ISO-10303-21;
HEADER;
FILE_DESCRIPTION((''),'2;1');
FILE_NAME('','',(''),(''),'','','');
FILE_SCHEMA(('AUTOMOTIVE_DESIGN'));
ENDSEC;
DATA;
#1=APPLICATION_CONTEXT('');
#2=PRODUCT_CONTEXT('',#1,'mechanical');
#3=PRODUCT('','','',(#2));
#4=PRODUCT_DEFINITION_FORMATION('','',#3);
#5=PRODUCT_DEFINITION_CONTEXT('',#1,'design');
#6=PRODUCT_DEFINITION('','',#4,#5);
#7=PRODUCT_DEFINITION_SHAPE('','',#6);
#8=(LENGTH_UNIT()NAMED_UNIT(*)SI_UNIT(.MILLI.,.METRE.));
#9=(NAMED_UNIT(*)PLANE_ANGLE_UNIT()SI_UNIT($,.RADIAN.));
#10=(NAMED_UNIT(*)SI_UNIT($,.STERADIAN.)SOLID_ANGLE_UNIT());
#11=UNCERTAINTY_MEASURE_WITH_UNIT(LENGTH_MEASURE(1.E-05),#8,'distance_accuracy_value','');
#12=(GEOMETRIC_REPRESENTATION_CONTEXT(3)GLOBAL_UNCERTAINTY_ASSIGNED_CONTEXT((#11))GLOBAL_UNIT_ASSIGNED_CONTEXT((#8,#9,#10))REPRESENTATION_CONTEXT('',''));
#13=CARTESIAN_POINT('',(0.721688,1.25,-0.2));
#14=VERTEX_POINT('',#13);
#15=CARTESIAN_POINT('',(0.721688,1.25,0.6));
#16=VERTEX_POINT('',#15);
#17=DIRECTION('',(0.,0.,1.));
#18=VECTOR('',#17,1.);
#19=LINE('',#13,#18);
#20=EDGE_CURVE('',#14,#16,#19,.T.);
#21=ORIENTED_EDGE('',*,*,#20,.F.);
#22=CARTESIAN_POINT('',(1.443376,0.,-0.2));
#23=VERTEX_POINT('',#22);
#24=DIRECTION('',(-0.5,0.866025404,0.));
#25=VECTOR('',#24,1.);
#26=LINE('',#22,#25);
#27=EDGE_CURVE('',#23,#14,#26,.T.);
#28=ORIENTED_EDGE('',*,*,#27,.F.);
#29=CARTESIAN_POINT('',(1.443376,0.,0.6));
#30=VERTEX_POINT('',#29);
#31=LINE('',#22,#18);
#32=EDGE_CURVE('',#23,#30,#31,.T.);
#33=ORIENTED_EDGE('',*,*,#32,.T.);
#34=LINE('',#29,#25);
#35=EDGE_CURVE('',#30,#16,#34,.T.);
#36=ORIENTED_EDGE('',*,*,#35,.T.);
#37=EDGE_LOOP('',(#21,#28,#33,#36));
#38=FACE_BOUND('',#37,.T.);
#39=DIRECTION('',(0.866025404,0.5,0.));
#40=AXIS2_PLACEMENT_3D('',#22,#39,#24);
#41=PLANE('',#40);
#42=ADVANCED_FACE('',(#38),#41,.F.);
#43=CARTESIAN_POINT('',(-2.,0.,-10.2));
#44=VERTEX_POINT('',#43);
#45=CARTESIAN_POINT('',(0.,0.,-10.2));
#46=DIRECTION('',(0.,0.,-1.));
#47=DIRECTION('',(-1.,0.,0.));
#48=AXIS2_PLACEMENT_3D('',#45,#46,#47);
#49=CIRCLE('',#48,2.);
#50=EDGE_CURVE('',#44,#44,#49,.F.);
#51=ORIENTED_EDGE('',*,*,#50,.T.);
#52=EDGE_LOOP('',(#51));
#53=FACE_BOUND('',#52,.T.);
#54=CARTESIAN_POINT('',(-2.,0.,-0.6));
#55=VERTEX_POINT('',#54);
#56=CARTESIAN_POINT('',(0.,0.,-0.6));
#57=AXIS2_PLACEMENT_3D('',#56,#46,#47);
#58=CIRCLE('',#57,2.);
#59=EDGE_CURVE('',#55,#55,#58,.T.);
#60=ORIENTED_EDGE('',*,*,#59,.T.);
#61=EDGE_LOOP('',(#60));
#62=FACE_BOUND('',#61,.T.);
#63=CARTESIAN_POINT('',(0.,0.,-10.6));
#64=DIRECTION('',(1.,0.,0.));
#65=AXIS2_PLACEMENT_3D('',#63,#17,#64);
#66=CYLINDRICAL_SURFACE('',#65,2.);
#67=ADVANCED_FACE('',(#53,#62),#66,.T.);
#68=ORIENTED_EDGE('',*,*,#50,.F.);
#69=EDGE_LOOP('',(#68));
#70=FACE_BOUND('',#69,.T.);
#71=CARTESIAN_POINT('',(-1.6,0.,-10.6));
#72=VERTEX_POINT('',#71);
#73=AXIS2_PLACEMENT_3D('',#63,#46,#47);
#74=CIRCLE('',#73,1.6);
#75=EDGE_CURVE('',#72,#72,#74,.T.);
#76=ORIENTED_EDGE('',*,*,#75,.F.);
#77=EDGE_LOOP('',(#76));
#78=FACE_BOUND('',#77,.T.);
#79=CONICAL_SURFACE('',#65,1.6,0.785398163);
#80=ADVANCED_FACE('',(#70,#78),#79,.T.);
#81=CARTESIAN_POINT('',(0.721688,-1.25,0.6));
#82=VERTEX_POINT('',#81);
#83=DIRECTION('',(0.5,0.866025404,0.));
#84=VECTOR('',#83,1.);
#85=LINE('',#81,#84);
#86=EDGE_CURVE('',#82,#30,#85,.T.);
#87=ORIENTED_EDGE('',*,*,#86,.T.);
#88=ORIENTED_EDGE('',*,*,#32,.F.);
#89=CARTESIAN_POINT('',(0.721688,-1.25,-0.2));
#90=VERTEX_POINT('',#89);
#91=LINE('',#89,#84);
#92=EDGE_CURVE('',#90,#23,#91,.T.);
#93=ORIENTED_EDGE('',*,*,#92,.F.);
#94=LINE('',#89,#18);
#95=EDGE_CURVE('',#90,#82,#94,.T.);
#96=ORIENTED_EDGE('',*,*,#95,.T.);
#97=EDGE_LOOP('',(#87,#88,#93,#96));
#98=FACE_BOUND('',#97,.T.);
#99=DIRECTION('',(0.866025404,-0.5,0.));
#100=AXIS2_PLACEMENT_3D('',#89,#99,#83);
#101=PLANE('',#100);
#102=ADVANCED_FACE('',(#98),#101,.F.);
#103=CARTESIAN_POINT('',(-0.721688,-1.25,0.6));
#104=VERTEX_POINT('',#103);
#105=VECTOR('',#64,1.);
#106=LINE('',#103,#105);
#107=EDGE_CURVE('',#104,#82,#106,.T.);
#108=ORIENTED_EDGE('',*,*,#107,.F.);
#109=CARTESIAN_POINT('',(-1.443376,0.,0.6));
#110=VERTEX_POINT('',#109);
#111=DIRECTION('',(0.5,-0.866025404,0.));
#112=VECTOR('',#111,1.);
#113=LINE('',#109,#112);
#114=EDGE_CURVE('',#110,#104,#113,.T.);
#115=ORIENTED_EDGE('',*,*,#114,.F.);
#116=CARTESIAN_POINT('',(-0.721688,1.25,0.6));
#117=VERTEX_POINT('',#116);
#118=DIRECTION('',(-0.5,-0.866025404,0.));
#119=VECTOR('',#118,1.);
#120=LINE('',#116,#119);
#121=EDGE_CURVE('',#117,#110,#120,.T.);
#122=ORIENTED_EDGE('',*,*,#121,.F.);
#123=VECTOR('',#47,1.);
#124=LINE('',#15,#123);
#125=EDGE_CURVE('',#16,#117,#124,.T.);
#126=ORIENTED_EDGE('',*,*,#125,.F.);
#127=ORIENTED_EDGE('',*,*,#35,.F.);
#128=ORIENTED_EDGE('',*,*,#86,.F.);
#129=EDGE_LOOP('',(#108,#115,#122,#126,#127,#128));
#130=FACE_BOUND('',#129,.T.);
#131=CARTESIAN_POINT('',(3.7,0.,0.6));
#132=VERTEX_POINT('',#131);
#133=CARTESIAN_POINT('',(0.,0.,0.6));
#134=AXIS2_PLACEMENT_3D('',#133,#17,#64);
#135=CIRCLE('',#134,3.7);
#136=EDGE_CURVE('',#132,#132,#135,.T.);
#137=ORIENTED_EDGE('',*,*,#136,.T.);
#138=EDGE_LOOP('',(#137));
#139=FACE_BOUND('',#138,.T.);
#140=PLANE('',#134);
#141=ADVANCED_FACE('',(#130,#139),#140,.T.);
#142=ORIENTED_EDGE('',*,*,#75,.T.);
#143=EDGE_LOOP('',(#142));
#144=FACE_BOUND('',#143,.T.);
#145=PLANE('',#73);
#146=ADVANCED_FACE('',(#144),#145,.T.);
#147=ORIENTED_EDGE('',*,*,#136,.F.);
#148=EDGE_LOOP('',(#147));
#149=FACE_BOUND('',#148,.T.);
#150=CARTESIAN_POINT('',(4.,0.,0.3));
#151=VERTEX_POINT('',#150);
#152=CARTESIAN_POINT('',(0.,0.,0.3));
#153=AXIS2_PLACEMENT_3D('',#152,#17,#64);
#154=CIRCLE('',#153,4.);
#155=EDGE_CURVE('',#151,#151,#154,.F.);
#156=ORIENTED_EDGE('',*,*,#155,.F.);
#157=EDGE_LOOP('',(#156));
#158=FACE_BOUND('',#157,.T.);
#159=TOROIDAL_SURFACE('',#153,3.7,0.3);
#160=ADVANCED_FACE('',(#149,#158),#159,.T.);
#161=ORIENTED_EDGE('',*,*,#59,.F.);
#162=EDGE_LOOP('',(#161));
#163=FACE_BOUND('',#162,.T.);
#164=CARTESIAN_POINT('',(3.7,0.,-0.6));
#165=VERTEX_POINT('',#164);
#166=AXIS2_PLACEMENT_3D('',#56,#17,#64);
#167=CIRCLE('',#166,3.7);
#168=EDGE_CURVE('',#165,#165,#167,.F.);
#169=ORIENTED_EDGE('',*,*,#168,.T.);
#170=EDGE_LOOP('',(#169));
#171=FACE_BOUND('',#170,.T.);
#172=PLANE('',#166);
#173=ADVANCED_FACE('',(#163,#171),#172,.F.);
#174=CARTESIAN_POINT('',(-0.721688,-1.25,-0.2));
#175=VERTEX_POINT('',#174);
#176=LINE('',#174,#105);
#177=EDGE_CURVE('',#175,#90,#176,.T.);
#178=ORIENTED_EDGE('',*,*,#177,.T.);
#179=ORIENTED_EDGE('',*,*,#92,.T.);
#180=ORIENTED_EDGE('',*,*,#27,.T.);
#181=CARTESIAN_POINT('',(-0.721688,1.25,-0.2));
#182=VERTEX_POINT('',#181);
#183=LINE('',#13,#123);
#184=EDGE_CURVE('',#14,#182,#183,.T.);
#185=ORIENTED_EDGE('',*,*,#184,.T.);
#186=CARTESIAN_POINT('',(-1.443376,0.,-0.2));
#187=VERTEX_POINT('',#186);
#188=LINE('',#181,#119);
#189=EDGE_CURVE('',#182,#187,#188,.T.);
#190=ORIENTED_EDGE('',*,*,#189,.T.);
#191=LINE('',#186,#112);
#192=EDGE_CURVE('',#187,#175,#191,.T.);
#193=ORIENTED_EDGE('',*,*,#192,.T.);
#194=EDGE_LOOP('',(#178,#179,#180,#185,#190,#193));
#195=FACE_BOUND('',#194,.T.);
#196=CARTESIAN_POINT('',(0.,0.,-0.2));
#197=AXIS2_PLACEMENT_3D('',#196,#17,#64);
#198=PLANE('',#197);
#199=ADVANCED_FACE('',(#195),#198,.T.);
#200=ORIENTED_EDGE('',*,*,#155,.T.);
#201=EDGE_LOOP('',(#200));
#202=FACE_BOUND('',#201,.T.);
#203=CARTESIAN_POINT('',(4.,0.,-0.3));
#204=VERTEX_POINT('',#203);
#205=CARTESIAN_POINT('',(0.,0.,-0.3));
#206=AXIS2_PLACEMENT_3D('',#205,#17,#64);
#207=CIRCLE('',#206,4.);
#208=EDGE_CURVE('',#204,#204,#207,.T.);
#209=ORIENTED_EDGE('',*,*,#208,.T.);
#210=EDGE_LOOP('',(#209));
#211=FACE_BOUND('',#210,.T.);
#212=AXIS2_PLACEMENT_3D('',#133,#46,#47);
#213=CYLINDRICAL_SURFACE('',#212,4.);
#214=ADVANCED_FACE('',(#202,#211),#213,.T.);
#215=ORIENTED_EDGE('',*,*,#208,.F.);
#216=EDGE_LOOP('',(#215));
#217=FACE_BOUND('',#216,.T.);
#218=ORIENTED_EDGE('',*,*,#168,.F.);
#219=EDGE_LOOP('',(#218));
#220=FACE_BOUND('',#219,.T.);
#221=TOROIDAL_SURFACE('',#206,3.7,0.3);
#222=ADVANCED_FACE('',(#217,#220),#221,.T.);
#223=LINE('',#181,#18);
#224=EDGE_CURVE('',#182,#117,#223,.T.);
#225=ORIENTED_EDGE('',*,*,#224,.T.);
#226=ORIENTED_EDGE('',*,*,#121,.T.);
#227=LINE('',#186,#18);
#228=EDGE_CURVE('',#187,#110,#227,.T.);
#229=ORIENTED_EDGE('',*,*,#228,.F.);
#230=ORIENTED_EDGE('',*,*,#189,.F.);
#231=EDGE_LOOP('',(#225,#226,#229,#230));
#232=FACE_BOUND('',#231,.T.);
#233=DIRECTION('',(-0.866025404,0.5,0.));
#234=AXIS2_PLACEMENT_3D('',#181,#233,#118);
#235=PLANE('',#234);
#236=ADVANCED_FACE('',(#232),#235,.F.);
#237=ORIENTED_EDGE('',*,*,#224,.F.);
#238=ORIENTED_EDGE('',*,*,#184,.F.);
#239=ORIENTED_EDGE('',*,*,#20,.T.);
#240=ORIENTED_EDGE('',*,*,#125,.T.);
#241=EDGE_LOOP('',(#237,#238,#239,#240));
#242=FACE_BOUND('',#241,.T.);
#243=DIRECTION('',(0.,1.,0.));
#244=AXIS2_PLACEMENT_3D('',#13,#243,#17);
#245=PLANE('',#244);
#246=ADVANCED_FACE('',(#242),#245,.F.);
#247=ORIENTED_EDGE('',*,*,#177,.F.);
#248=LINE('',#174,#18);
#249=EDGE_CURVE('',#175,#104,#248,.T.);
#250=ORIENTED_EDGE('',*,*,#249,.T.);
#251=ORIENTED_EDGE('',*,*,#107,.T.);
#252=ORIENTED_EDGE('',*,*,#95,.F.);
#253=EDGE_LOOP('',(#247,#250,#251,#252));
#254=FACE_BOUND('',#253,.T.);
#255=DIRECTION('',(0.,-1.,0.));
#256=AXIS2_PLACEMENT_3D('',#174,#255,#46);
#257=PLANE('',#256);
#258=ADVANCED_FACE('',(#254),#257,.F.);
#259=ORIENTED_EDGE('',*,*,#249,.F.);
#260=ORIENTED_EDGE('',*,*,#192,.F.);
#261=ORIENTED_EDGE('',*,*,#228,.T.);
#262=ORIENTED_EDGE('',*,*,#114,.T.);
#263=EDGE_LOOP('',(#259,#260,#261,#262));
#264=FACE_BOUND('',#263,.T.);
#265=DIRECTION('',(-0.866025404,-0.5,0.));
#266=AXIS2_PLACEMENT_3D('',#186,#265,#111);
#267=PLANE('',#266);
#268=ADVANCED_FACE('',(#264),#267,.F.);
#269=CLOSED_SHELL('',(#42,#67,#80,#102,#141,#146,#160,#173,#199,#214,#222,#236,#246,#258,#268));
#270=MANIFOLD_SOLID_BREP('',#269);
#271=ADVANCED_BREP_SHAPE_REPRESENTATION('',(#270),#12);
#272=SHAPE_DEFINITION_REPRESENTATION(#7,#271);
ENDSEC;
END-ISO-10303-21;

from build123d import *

# Parameters (mm, degrees)
SKETCH_1_R          = 4
EXTRUDE_1_DEPTH     = 0.6
SKETCH_2_R          = 2
EXTRUDE_2_DEPTH     = 10
CHAMFER_1_SIZE      = 0.4
CUT_EXTRUDE_1_DEPTH = 0.8
FILLET_2_R          = 0.3


with BuildPart() as part:
    # 草图1 → 凸台-拉伸1 (new, symmetric)
    with BuildSketch(Plane.XY):
        Circle(SKETCH_1_R)
    extrude(amount=EXTRUDE_1_DEPTH, both=True)

    # 草图2 → 凸台-拉伸2 (add)
    with BuildSketch(Plane(origin=(0, 0, -0.6), x_dir=(-1, 0, 0), z_dir=(0, 0, -1))):
        Circle(SKETCH_2_R)
    extrude(amount=EXTRUDE_2_DEPTH)

    # 倒角1
    chamfer_1_edges = [part.edges().sort_by_distance(p)[0] for p in [
        (2, 0, -10.6),
    ]]
    chamfer(chamfer_1_edges, length=CHAMFER_1_SIZE)

    # 草图3 → 切除-拉伸1 (cut)
    with BuildSketch(Plane.XY.offset(0.6)):
        Polygon((1.443375673, 0), (0.721687836, 1.25), (-0.721687836, 1.25), (-1.443375673, 0), (-0.721687836, -1.25), (0.721687836, -1.25), align=None)
    extrude(amount=-CUT_EXTRUDE_1_DEPTH, mode=Mode.SUBTRACT)

    # 圆角2
    fillet_2_edges = [part.edges().sort_by_distance(p)[0] for p in [
        (-4, 0, -0.6),
        (-4, 0, 0.6),
    ]]
    fillet(fillet_2_edges, radius=FILLET_2_R)


solid = part.part
